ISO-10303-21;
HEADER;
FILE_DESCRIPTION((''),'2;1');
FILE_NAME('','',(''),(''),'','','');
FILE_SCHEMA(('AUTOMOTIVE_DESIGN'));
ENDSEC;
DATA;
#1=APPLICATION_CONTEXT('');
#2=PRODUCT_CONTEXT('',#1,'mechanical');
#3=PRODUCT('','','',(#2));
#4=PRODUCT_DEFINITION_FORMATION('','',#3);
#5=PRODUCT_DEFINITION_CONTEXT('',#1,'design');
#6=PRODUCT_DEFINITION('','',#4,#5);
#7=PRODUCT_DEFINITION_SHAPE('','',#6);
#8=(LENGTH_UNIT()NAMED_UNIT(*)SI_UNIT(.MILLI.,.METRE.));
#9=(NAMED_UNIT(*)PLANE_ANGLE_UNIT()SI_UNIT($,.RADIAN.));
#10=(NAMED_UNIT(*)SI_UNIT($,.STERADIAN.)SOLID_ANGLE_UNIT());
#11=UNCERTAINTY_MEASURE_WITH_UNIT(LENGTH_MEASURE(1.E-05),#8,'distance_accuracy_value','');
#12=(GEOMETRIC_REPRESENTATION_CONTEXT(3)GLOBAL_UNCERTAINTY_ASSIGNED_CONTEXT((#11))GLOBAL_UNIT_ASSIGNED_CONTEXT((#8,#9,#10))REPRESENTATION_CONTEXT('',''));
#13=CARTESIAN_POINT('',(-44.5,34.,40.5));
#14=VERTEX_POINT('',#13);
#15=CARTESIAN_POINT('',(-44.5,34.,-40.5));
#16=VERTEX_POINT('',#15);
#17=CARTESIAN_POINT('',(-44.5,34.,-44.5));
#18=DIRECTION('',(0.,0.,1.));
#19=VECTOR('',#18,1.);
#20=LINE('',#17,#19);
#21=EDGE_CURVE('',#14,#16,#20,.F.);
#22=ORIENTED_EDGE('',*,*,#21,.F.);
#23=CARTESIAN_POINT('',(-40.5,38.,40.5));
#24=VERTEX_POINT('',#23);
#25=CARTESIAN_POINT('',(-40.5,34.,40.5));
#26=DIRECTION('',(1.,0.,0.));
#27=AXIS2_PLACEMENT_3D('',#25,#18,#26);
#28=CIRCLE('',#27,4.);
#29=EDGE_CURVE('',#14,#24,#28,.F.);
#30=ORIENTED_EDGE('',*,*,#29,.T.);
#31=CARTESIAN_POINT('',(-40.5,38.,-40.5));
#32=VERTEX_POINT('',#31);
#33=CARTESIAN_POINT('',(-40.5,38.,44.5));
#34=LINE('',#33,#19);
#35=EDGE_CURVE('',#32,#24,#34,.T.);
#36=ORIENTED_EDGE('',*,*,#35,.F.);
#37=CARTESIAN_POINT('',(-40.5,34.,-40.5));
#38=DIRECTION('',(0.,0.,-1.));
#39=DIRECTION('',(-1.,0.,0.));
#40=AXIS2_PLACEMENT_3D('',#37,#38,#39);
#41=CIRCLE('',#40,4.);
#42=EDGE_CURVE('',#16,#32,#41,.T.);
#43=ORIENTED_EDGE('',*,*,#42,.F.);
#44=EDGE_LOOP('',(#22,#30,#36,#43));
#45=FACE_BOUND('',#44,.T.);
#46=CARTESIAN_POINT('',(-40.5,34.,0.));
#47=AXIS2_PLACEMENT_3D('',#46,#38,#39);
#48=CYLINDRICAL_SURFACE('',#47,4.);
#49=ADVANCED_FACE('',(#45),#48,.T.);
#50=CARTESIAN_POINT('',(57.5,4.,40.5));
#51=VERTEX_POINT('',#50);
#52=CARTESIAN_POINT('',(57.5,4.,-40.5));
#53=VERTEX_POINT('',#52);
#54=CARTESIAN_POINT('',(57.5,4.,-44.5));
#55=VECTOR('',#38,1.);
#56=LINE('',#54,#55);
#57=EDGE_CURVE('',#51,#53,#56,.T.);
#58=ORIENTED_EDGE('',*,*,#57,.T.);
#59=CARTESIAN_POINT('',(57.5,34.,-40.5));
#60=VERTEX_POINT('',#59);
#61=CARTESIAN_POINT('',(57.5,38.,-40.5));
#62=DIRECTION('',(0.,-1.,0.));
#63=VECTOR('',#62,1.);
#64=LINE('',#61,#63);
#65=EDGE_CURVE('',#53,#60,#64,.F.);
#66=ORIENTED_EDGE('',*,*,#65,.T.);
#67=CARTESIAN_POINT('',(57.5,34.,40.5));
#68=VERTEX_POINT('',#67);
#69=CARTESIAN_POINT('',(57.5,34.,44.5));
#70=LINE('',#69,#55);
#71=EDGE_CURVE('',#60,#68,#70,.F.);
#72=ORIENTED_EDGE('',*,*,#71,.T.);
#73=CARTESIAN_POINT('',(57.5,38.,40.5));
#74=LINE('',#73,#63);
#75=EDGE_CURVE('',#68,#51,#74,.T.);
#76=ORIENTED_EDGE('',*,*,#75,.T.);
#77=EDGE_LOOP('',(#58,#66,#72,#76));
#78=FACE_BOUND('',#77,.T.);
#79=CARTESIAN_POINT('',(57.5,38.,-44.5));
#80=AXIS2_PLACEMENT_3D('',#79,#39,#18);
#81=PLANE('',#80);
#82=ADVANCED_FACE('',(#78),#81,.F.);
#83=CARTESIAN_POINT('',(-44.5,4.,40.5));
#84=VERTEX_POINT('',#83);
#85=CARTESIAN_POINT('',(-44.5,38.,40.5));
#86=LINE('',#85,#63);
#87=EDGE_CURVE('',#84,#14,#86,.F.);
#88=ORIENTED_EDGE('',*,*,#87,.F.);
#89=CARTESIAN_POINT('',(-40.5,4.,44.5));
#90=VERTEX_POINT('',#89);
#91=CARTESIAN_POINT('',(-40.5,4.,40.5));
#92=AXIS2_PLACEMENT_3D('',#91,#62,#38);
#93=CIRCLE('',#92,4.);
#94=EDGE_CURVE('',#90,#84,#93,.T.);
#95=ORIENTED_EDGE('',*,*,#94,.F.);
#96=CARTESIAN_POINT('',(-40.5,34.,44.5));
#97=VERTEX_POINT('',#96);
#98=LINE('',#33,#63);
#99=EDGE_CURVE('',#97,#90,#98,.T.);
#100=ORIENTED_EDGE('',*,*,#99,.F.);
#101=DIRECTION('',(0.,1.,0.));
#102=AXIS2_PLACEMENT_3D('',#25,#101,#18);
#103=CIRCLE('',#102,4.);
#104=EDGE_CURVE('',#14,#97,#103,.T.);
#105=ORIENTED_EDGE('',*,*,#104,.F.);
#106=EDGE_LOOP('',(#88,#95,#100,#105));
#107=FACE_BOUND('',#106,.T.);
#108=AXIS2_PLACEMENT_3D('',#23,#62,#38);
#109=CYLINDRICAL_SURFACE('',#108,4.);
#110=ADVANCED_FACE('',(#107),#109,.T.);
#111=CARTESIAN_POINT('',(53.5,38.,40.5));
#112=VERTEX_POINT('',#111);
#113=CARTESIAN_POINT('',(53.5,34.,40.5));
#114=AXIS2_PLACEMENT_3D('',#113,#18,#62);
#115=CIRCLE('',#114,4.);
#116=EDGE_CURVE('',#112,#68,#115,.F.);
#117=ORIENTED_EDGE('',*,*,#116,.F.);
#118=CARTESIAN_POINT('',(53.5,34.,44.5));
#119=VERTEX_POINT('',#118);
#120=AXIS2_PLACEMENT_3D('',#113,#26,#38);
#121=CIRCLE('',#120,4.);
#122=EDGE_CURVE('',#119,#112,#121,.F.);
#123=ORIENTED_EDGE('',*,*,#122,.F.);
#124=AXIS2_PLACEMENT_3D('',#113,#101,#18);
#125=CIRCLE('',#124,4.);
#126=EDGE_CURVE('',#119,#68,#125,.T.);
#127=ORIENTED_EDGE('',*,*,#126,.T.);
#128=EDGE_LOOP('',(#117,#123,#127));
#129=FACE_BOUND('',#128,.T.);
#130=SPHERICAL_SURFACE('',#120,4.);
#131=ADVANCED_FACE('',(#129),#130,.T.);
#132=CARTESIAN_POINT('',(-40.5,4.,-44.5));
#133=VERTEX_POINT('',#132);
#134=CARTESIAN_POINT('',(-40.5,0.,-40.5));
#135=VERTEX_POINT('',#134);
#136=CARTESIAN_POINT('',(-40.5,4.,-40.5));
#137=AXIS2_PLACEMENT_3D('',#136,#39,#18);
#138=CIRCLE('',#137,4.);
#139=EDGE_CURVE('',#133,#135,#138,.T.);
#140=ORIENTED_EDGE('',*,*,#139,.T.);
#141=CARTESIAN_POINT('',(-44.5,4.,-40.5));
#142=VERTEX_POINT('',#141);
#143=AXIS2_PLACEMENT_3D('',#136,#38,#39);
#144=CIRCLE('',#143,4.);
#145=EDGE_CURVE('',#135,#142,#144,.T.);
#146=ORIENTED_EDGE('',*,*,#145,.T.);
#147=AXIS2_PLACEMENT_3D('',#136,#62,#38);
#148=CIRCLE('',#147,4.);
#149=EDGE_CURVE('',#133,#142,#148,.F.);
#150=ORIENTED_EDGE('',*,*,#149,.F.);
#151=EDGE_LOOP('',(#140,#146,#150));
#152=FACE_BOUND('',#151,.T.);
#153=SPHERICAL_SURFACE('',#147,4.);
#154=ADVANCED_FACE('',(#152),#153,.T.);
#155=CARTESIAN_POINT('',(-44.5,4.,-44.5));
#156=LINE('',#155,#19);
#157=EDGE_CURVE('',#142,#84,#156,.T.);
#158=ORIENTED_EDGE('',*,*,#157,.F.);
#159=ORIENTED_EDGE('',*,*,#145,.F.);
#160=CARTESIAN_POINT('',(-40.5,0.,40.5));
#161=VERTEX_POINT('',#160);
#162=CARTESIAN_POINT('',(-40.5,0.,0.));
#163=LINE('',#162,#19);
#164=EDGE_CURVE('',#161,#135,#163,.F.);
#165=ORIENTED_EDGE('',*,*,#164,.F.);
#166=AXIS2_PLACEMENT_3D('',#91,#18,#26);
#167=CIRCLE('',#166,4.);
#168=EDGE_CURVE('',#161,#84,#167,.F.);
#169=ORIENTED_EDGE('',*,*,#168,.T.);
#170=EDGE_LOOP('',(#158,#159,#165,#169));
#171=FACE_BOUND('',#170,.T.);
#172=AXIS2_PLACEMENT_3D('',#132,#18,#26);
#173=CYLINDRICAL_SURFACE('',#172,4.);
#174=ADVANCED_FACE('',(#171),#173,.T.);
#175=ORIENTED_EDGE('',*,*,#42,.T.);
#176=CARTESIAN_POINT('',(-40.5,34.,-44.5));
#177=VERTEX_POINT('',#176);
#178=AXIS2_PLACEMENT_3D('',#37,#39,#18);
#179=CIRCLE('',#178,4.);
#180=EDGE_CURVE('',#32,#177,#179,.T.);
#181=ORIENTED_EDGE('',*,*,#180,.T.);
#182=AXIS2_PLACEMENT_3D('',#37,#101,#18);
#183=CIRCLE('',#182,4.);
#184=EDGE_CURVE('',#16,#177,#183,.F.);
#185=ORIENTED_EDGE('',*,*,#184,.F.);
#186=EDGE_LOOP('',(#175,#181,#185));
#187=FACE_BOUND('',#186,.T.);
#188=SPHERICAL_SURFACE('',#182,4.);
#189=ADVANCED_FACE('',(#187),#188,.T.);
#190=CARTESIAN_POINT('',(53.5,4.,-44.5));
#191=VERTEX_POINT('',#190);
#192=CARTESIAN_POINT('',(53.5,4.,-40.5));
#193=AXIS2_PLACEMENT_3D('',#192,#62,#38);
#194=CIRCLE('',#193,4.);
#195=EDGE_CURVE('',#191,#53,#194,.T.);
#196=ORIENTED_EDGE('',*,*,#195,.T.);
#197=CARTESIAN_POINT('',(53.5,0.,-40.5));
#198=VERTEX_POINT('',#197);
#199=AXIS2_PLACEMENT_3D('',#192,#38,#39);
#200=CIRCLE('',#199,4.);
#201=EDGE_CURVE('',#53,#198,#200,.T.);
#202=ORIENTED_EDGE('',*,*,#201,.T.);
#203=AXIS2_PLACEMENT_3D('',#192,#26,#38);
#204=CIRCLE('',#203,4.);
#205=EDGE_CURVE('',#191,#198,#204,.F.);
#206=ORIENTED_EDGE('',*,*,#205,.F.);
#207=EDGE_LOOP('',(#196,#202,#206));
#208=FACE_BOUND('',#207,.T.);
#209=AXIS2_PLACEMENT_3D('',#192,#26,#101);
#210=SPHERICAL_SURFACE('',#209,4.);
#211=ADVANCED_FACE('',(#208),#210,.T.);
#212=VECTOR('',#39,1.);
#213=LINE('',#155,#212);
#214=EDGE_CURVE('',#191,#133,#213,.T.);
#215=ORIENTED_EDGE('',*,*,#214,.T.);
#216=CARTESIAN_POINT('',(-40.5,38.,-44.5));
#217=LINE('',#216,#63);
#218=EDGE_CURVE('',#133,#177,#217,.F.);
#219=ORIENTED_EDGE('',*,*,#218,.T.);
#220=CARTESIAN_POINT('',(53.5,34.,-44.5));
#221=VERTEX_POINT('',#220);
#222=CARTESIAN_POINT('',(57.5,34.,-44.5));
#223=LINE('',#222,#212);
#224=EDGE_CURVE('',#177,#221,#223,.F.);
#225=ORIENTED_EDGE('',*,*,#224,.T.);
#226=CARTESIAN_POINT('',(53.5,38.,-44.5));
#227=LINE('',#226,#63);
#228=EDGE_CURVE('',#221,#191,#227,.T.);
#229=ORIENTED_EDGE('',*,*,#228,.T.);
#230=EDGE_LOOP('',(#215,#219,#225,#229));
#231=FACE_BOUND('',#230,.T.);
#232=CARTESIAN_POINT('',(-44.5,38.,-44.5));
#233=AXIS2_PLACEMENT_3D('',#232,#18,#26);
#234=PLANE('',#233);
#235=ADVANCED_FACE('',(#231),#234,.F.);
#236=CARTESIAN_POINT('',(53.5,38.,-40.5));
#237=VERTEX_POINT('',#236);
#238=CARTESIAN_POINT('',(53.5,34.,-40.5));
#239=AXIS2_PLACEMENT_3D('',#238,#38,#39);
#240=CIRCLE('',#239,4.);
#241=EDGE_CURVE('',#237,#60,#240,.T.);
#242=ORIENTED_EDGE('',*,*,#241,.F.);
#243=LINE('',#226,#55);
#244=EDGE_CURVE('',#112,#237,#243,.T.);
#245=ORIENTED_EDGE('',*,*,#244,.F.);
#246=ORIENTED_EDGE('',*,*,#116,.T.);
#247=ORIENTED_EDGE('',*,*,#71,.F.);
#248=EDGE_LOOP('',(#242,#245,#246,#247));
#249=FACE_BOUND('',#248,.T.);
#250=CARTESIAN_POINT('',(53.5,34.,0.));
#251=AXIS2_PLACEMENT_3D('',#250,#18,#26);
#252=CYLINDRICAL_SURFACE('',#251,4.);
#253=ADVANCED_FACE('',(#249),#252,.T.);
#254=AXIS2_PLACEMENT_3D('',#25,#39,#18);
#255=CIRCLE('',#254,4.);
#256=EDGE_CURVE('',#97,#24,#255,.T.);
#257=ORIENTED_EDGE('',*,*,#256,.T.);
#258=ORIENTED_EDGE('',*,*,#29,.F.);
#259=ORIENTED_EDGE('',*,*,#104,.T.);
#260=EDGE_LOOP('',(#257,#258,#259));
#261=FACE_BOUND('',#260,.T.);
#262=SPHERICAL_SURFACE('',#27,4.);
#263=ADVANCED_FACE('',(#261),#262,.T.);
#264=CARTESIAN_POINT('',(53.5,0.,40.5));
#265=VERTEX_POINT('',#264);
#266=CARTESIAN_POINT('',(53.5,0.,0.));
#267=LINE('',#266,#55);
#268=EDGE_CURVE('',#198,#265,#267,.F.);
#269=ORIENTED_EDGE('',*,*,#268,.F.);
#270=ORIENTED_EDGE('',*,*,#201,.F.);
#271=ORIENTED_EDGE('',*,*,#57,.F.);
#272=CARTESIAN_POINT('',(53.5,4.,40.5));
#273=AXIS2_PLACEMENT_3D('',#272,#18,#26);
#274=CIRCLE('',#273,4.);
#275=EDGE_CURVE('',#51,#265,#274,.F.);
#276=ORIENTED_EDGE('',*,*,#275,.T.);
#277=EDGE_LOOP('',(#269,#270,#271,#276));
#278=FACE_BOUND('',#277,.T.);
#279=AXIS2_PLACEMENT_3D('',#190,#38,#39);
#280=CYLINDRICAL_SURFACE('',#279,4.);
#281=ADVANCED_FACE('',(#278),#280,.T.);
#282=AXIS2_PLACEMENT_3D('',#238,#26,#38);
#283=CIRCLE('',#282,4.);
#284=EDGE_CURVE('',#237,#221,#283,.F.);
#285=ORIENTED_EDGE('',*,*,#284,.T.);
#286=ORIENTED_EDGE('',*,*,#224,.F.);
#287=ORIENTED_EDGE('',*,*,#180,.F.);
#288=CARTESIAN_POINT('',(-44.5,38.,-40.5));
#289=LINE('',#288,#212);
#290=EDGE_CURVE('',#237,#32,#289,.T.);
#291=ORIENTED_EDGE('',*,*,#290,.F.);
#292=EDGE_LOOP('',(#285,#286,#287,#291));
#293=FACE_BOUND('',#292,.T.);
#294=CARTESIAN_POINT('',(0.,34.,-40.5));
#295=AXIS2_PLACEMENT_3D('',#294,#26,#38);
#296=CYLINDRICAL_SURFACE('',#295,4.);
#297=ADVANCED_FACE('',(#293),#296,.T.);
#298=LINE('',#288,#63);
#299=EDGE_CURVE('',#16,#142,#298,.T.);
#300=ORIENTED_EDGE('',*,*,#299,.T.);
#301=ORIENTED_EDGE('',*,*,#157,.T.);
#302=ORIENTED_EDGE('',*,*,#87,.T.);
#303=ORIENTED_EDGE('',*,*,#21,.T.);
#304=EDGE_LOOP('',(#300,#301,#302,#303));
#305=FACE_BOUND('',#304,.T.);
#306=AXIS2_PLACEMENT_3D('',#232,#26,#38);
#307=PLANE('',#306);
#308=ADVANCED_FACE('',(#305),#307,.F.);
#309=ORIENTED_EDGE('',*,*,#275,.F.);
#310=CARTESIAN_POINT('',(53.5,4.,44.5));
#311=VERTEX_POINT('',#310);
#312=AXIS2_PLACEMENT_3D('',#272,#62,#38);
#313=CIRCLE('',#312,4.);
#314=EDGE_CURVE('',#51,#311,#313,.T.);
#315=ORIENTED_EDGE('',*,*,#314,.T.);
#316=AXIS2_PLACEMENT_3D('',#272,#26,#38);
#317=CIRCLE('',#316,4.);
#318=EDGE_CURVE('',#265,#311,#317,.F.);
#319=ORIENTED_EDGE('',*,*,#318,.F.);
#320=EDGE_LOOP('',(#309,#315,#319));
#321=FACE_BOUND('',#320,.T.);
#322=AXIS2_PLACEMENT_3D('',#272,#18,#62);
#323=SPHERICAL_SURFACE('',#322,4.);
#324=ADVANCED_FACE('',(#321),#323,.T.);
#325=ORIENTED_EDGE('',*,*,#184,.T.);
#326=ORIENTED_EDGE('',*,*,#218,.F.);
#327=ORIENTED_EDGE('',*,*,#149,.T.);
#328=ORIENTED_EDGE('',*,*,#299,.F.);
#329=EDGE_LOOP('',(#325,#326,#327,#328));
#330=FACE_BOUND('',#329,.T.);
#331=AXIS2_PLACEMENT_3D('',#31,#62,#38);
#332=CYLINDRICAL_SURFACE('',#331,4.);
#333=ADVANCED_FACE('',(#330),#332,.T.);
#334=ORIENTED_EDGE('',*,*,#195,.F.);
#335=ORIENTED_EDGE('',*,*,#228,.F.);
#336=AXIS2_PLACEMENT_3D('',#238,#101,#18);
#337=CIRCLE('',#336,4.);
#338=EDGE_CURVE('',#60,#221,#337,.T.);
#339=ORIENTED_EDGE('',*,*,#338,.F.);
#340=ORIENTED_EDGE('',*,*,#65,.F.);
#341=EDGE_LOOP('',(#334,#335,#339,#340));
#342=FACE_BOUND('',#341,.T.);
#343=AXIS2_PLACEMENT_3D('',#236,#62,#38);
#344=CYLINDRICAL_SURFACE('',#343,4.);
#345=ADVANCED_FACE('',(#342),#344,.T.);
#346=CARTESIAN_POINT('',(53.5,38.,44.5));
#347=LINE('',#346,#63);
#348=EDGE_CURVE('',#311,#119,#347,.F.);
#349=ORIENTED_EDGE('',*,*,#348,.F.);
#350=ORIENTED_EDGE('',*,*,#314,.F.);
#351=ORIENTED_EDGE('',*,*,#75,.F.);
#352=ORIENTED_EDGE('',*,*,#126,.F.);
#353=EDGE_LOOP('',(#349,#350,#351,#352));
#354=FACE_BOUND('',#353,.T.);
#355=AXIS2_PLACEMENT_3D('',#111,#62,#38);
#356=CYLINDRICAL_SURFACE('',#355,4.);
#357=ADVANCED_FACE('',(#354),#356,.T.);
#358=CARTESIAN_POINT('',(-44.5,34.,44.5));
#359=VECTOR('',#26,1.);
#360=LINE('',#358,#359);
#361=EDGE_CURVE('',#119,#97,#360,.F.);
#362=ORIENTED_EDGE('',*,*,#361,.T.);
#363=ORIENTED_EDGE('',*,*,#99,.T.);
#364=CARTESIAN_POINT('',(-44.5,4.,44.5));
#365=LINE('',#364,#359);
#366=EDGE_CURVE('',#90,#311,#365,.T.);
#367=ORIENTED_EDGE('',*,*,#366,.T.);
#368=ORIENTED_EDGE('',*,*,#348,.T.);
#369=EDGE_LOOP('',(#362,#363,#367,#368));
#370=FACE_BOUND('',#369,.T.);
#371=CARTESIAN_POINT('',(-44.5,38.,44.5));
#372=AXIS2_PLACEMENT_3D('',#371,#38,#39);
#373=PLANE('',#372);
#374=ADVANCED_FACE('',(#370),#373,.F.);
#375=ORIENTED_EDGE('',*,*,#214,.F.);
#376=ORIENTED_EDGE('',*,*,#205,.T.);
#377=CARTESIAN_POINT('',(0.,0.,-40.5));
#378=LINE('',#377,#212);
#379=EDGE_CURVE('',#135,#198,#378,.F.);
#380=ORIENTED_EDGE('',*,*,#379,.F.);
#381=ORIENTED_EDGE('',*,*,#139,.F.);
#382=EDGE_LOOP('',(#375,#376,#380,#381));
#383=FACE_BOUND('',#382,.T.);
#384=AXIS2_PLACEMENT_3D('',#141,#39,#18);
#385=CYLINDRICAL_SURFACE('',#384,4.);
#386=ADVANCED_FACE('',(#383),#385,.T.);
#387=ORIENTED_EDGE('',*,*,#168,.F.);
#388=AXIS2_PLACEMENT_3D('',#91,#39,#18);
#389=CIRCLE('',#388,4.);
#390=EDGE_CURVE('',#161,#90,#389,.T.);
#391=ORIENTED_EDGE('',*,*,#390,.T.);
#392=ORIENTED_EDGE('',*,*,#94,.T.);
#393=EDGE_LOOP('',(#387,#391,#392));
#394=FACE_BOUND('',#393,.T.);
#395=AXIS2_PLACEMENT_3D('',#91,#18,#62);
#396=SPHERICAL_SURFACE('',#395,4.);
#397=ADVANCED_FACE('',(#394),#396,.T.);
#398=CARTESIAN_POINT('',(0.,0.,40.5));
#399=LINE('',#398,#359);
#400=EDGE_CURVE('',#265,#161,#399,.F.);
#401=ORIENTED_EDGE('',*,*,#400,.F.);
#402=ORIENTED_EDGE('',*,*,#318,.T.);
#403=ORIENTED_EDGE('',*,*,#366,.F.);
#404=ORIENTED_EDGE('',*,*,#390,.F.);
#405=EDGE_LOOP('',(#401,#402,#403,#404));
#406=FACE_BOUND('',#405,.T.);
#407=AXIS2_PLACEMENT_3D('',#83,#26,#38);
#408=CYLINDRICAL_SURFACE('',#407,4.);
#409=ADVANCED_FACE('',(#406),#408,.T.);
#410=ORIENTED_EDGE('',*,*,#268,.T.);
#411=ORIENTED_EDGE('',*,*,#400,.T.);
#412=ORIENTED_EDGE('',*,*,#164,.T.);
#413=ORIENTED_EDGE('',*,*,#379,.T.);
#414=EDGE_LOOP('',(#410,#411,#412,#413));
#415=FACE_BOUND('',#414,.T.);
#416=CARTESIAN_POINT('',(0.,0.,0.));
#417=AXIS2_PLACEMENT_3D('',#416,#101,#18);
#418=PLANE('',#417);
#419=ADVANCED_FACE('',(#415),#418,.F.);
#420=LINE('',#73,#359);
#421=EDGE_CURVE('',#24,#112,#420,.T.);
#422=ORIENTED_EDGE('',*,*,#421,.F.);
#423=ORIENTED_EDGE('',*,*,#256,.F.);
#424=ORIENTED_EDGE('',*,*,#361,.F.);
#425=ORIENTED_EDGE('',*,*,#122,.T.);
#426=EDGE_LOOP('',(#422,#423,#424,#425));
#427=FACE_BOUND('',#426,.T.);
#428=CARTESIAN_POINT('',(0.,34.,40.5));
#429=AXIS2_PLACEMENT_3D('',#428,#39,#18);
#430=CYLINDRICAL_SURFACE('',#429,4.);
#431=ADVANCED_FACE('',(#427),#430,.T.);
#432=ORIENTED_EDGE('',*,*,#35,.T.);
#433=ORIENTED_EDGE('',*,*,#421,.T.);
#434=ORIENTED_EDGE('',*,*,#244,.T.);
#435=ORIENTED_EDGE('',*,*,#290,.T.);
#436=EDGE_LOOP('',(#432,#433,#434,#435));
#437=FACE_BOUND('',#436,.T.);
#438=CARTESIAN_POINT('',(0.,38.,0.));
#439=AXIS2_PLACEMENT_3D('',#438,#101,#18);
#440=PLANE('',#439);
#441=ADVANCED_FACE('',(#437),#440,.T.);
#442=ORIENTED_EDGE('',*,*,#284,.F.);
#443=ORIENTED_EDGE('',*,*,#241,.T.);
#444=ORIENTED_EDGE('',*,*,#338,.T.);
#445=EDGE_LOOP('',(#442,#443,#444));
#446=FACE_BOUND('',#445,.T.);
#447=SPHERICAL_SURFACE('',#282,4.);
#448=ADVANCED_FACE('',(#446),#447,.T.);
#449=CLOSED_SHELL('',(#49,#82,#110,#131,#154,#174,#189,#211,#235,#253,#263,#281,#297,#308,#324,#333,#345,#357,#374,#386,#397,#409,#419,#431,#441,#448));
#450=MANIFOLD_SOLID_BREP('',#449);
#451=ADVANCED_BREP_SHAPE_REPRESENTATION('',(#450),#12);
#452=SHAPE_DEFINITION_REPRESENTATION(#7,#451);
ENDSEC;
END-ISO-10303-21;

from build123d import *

# Parameters (mm, degrees)
SKETCH2_W           = 102
SKETCH2_H           = 89
BOSS_EXTRUDE1_DEPTH = 38
FILLET1_R           = 4


with BuildPart() as part:
    # Sketch2 → Boss-Extrude1 (new body)
    with BuildSketch(Plane(origin=(0, 0, 0), x_dir=(1, 0, 0), z_dir=(0, 1, 0))):
        with Locations((6.5, 0)):
            Rectangle(SKETCH2_W, SKETCH2_H)
    extrude(amount=BOSS_EXTRUDE1_DEPTH)

    # Fillet1
    fillet1_edges = [part.edges().sort_by_distance(p)[0] for p in [
        (57.5, 38, 0),
        (6.5, 38, -44.5),
        (-44.5, 38, 0),
        (6.5, 0, -44.5),
        (57.5, 0, 0),
        (6.5, 0, 44.5),
        (-44.5, 0, 0),
        (-44.5, 19, -44.5),
        (57.5, 19, -44.5),
        (57.5, 19, 44.5),
        (-44.5, 19, 44.5),
        (6.5, 38, 44.5),
    ]]
    fillet(fillet1_edges, radius=FILLET1_R)


solid = part.part
